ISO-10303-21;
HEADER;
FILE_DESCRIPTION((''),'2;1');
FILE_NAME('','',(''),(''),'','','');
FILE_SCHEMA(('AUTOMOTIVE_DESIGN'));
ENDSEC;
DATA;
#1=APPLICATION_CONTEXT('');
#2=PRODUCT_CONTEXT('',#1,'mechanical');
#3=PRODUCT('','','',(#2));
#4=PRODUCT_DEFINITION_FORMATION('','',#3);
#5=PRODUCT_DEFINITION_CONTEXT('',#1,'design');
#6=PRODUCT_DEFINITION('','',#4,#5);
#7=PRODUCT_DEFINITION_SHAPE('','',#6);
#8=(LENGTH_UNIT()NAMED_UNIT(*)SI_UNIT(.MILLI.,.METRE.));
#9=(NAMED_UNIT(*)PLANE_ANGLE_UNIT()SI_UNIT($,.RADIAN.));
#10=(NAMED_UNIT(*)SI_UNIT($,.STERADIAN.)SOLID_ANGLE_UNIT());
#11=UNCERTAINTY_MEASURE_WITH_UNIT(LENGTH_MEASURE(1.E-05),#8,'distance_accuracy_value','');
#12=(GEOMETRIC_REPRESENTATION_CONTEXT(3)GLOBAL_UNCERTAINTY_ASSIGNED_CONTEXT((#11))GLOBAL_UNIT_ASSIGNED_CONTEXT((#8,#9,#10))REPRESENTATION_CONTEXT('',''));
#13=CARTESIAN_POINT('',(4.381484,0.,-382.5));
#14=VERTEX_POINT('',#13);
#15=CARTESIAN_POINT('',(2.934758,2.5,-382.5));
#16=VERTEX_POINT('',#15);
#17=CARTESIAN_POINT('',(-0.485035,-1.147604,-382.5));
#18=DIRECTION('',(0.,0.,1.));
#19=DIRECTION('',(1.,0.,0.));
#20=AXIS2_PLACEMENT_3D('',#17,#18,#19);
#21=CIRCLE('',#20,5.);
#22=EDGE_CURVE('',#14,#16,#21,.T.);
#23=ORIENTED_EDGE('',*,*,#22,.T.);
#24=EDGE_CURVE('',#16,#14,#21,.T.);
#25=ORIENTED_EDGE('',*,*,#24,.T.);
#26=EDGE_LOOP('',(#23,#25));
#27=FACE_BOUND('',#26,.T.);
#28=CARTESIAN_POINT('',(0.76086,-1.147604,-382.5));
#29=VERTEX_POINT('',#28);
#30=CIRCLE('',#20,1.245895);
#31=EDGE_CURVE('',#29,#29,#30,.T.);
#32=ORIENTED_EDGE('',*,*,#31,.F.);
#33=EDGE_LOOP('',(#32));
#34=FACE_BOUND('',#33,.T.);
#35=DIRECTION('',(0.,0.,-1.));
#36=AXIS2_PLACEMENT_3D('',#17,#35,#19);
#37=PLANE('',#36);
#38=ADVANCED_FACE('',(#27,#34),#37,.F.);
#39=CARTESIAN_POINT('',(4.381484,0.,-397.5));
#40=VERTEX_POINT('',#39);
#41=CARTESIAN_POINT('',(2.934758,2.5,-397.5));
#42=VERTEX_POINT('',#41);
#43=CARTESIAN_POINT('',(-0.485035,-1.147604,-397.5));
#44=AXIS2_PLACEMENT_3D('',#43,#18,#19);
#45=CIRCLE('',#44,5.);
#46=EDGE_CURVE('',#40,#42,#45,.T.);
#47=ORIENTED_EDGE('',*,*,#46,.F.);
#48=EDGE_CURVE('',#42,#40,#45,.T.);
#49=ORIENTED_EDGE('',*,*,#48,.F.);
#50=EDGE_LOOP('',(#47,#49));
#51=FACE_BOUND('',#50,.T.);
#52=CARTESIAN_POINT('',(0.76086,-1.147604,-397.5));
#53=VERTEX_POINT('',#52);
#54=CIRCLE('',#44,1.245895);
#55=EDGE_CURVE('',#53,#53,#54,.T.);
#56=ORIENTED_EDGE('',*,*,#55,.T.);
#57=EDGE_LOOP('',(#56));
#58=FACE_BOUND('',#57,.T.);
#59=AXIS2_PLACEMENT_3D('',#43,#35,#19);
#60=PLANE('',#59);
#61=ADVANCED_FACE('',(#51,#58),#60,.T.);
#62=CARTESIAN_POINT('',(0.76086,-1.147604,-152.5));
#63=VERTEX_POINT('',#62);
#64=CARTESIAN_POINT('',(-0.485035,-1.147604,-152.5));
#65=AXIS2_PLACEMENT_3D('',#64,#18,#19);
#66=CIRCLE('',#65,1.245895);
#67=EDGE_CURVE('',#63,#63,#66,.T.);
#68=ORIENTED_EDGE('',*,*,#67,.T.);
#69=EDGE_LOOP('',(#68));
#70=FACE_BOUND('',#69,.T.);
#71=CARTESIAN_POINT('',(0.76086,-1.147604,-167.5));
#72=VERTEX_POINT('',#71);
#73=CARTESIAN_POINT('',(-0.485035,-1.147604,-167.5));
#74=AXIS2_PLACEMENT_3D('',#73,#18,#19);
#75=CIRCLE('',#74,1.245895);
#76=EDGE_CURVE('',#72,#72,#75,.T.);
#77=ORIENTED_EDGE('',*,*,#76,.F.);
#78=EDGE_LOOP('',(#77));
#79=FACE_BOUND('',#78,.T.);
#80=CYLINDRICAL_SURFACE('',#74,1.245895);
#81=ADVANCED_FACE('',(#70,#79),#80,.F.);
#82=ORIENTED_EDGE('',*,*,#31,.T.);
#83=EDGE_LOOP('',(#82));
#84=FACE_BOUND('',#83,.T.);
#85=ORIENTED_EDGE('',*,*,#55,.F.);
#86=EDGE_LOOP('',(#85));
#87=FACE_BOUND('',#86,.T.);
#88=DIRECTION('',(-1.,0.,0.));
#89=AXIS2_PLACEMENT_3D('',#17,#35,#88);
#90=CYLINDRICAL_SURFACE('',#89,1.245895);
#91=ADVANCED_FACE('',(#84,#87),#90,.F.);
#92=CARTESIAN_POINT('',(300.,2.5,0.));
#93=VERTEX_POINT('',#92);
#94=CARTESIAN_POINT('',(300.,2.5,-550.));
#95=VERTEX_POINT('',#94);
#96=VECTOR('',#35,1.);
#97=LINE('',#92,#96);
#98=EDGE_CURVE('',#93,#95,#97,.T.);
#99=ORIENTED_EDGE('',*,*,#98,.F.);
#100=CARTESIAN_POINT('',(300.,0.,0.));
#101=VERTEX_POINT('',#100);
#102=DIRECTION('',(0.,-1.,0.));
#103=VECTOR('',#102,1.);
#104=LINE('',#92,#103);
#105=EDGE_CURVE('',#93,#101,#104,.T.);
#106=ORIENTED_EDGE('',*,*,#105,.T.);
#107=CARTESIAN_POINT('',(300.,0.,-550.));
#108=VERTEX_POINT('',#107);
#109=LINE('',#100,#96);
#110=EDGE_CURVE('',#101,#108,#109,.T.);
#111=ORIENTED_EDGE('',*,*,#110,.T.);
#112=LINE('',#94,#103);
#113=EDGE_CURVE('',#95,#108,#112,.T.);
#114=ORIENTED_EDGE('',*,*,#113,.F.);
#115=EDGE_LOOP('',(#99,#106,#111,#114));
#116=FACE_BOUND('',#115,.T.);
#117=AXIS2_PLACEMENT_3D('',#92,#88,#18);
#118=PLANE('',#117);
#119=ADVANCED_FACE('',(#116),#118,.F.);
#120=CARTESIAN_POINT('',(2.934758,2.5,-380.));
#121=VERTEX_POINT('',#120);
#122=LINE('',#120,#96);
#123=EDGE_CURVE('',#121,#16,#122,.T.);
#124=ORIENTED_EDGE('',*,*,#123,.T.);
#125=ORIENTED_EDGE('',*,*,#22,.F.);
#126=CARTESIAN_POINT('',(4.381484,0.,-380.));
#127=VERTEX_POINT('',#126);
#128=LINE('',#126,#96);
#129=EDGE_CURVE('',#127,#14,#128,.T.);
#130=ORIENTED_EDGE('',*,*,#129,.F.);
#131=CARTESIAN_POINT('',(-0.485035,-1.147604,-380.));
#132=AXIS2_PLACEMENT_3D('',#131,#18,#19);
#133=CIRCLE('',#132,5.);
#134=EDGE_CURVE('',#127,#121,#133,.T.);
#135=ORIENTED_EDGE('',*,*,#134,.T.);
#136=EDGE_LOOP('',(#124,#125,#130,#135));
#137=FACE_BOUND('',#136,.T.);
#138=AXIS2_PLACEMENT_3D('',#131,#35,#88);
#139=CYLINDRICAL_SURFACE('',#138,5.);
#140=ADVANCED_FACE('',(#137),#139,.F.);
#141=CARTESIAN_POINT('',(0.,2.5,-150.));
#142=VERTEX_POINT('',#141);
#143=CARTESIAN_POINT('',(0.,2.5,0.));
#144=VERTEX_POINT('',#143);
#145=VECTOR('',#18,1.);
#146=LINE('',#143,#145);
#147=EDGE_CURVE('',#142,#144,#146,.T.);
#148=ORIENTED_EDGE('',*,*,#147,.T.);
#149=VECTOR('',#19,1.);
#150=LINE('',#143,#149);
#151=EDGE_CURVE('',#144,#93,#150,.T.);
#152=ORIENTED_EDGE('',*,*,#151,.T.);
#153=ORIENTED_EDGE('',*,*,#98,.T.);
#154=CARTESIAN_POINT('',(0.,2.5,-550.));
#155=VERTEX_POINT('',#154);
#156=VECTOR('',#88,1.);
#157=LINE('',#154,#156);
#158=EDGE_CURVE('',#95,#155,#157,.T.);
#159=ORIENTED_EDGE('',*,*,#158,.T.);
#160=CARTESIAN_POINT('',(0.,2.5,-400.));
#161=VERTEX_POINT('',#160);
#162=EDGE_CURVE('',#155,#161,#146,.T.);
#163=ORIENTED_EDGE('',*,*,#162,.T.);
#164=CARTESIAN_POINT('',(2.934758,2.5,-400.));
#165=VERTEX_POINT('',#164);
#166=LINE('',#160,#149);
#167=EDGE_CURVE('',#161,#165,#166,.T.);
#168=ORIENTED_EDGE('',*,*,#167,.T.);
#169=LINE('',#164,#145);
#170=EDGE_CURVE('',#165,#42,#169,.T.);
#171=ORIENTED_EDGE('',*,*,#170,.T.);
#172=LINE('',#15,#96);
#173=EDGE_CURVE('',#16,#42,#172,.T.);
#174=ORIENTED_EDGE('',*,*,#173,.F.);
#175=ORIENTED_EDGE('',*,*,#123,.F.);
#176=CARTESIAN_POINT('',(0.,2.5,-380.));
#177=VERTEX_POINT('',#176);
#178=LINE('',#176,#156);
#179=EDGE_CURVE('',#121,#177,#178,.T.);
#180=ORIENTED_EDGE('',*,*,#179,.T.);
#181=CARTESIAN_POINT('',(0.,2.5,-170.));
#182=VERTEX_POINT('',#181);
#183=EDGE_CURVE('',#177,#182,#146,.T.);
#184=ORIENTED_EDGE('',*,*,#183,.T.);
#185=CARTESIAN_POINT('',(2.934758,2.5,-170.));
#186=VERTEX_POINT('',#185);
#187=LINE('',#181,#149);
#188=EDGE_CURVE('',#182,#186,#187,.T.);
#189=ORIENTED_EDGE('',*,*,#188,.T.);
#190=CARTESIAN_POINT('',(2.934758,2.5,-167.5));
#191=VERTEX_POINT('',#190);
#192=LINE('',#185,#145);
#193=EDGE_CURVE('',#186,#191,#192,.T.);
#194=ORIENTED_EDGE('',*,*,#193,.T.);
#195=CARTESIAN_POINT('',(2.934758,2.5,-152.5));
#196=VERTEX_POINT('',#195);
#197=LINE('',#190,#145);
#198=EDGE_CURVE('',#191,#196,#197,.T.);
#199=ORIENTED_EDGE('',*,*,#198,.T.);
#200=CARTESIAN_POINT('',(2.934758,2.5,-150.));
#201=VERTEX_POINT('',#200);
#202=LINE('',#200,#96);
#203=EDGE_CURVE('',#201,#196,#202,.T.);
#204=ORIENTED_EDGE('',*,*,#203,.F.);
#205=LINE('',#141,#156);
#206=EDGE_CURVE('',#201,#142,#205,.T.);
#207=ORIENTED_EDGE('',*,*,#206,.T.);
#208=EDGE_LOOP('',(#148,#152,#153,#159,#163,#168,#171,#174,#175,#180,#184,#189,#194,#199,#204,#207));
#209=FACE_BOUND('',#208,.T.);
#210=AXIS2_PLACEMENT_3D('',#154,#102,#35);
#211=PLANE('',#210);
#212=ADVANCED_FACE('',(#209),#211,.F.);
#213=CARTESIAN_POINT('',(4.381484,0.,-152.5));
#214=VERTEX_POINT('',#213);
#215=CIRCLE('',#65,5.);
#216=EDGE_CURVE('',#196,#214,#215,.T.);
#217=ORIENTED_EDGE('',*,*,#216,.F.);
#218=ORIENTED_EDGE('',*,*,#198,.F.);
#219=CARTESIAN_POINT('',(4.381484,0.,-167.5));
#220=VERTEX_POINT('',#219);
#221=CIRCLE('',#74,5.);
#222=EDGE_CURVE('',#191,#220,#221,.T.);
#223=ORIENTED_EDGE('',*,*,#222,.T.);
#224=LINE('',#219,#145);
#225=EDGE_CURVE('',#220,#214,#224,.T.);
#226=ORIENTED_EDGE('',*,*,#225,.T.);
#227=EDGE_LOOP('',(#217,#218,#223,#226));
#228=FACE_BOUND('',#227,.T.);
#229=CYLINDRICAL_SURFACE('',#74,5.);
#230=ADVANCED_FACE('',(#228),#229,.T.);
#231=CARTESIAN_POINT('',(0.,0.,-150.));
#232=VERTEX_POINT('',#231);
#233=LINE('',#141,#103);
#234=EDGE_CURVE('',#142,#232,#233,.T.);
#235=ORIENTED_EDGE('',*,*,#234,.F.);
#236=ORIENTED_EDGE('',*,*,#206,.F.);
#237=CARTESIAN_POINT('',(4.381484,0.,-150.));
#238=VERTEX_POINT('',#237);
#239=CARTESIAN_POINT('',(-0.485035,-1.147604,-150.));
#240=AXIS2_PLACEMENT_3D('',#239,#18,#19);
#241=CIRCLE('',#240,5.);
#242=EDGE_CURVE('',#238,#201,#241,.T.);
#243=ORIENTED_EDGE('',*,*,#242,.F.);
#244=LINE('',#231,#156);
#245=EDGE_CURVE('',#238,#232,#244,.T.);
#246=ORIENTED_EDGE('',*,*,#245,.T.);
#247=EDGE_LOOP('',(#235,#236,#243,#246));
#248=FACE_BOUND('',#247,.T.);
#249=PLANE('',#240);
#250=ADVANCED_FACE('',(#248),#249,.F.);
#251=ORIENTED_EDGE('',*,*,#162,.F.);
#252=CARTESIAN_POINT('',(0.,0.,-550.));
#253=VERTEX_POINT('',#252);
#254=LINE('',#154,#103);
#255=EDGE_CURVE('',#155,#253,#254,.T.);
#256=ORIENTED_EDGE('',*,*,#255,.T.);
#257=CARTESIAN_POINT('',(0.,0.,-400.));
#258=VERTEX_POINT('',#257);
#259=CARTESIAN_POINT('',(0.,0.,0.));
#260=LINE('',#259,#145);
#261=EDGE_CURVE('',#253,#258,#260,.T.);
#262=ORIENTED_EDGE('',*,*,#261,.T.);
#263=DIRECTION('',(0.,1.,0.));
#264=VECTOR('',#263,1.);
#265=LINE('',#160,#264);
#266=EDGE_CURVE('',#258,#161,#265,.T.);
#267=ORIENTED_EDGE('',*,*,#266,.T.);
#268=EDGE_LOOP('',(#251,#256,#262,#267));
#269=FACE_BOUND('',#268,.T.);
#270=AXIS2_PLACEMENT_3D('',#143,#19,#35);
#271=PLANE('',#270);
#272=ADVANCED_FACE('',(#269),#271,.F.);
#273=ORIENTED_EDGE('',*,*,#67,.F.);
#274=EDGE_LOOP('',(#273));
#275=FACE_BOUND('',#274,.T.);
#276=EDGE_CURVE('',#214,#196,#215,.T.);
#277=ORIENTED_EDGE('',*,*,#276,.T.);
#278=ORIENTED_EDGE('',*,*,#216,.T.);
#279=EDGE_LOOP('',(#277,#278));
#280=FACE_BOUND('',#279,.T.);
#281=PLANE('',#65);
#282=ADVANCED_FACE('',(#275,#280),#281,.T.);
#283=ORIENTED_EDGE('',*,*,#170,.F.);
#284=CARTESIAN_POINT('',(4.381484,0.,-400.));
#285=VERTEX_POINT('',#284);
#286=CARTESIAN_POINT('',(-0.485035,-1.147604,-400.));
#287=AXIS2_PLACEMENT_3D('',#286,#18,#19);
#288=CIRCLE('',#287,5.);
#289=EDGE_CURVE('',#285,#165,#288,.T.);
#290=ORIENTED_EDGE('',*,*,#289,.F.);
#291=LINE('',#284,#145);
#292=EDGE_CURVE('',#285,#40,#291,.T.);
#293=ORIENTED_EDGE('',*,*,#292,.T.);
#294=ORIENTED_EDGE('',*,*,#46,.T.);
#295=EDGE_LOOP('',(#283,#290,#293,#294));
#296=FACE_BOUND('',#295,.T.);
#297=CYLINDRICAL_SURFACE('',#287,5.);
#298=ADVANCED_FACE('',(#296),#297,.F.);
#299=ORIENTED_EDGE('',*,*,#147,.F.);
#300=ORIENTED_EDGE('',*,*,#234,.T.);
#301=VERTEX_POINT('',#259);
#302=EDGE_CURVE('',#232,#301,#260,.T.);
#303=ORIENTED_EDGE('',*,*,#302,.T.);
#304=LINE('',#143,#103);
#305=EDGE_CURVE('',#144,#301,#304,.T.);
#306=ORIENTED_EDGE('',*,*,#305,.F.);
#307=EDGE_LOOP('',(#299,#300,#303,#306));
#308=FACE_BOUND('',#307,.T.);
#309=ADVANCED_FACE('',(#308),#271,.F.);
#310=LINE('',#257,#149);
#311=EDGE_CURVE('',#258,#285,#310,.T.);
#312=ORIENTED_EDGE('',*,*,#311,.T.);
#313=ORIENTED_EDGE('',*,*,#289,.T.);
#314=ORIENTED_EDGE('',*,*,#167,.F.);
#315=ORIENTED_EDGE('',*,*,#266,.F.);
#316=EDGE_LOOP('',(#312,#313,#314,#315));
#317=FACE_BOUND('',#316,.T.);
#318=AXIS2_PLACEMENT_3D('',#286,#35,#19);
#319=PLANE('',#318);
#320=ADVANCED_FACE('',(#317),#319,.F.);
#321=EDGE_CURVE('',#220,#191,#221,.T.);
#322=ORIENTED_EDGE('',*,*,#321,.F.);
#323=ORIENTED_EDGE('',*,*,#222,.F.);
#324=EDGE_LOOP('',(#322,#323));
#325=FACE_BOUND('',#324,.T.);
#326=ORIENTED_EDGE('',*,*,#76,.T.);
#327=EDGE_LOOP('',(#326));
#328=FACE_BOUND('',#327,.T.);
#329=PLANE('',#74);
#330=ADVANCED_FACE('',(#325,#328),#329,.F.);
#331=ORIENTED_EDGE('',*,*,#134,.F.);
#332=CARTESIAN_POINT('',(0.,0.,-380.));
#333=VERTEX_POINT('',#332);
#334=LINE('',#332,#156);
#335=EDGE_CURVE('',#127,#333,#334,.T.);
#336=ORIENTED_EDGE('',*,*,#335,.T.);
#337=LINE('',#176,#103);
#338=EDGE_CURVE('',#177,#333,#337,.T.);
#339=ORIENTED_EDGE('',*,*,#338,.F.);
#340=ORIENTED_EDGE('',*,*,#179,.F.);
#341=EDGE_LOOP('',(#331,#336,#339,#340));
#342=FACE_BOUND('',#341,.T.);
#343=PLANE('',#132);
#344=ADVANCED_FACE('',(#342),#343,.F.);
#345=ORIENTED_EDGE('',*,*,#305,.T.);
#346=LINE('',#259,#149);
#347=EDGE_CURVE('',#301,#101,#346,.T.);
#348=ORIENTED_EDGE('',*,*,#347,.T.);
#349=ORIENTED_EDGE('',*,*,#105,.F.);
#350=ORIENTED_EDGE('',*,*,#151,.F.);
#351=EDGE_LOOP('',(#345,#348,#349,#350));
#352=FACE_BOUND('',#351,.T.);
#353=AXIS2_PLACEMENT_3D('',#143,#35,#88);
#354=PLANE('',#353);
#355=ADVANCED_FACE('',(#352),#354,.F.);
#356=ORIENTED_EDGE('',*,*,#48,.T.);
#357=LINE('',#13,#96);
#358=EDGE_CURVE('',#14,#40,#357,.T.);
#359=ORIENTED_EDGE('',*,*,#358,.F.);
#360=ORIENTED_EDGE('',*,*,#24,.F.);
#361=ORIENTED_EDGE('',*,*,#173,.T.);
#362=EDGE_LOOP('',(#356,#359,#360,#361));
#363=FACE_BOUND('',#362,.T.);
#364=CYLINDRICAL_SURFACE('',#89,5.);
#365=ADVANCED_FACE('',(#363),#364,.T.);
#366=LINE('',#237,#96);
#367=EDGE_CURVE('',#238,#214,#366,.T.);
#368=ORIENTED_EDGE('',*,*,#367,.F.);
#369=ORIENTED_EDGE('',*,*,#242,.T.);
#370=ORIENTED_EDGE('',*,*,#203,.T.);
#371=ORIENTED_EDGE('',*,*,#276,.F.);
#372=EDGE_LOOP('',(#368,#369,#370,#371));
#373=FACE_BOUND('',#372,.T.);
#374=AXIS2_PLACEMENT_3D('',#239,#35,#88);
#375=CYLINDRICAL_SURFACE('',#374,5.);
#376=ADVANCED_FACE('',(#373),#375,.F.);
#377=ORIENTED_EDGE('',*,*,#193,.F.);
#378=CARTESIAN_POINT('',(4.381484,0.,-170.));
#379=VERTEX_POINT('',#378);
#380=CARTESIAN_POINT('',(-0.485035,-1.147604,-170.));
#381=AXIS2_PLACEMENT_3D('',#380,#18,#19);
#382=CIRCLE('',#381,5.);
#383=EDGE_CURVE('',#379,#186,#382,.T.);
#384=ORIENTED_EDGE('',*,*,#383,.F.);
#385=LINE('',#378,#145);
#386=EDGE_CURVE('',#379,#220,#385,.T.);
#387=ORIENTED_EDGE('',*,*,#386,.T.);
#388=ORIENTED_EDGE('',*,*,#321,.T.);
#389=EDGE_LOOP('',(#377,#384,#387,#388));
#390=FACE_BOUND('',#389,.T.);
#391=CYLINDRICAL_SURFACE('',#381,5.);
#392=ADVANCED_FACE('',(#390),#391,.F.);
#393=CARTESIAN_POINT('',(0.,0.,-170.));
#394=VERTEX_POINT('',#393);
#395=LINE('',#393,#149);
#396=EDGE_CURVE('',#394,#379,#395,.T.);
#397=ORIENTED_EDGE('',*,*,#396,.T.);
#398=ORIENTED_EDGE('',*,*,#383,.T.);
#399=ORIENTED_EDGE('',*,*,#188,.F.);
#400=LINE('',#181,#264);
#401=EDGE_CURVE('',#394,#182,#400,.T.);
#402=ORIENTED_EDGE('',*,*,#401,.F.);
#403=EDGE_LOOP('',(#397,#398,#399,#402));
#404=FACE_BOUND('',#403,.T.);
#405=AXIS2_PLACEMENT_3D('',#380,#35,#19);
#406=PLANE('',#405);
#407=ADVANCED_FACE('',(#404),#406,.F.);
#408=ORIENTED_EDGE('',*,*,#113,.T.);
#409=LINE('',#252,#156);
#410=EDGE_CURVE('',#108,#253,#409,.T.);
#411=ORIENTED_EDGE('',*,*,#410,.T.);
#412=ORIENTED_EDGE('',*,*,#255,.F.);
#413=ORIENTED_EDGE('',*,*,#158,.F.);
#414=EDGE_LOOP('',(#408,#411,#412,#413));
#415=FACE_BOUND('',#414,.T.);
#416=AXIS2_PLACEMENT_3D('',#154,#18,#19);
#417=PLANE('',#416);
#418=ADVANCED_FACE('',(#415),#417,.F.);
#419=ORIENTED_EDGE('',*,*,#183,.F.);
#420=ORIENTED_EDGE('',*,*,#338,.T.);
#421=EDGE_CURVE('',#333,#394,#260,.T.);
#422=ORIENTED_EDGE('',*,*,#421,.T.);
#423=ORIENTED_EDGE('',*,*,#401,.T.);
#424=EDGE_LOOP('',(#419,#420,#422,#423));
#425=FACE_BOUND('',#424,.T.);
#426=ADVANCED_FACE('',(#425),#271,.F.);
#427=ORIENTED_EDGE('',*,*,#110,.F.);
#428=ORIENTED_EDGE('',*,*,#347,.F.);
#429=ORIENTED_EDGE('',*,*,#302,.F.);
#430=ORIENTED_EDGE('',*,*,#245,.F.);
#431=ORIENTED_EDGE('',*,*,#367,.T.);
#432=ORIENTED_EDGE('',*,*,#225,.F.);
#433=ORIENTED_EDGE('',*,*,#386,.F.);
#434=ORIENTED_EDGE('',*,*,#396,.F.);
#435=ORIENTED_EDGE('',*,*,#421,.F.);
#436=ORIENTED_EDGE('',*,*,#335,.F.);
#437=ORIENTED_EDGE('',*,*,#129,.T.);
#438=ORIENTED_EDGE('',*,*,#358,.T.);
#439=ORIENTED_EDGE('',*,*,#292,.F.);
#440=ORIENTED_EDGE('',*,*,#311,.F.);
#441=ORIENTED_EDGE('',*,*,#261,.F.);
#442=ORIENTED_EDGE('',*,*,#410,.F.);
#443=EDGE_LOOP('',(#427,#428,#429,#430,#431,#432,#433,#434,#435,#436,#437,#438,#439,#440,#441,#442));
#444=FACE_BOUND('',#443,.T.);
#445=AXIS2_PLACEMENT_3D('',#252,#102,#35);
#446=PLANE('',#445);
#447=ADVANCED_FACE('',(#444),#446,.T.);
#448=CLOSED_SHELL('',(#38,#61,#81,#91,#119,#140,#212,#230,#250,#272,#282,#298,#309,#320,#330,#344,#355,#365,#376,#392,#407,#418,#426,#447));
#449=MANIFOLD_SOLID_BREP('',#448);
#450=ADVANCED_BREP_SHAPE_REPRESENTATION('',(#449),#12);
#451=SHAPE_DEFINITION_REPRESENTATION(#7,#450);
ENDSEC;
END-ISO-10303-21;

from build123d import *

# Parameters (mm, degrees)
SKETCH1_W               = 300
SKETCH1_H               = 550
BOSS_EXTRUDE1_DEPTH     = 2.5
SKETCH3_R               = 5
SKETCH3_R_2             = 1.245895
BOSS_EXTRUDE2_DEPTH     = 15
SKETCH4_R               = 5
CUT_EXTRUDE1_DEPTH      = 2.5
MIRROR3_COPY_1_SKETCH_R = 5
MIRROR3_COPY_1_DEPTH    = 2.5
MIRROR3_COPY_2_SKETCH_R = 5
MIRROR3_COPY_2_DEPTH    = 2.5


with BuildPart() as part:
    # Sketch1 → Boss-Extrude1 (new body)
    with BuildSketch(Plane(origin=(0, 0, 0), x_dir=(1, 0, 0), z_dir=(0, 1, 0))):
        with Locations((150, 275)):
            Rectangle(SKETCH1_W, SKETCH1_H)
    extrude(amount=BOSS_EXTRUDE1_DEPTH)

    # Sketch3 → Boss-Extrude2 (add)
    with BuildSketch(Plane.XY.offset(-152.5)):
        with Locations((-0.485034728, -1.147604315)):
            Circle(SKETCH3_R)
        with Locations((-0.485034728, -1.147604315)):
            Circle(SKETCH3_R_2, mode=Mode.SUBTRACT)
    boss_extrude2 = extrude(amount=-BOSS_EXTRUDE2_DEPTH)

    # Mirror1: Boss-Extrude2 across plane
    add(boss_extrude2.mirror(Plane.XY.offset(-275)))

    # Sketch4 → Cut-Extrude1 (cut)
    with BuildSketch(Plane.XY.offset(-152.5)):
        with Locations((-0.485034728, -1.147604315)):
            Circle(SKETCH4_R)
    cut_extrude1 = extrude(amount=CUT_EXTRUDE1_DEPTH, mode=Mode.SUBTRACT)

    # Mirror2: Cut-Extrude1 across plane
    add(cut_extrude1.mirror(Plane.XY.offset(-160)), mode=Mode.SUBTRACT)

    # Mirror3 copy 1 sketch → Mirror3 copy 1 (cut)
    with BuildSketch(Plane.XY.offset(-382.5)):
        with Locations((-0.485034728, -1.147604315)):
            Circle(MIRROR3_COPY_1_SKETCH_R)
    extrude(amount=MIRROR3_COPY_1_DEPTH, mode=Mode.SUBTRACT)

    # Mirror3 copy 2 sketch → Mirror3 copy 2 (cut)
    with BuildSketch(Plane(origin=(0, 0, -397.5), x_dir=(1, 0, 0), z_dir=(0, 0, -1))):
        with Locations((-0.485034728, 1.147604315)):
            Circle(MIRROR3_COPY_2_SKETCH_R)
    extrude(amount=MIRROR3_COPY_2_DEPTH, mode=Mode.SUBTRACT)


solid = part.part
